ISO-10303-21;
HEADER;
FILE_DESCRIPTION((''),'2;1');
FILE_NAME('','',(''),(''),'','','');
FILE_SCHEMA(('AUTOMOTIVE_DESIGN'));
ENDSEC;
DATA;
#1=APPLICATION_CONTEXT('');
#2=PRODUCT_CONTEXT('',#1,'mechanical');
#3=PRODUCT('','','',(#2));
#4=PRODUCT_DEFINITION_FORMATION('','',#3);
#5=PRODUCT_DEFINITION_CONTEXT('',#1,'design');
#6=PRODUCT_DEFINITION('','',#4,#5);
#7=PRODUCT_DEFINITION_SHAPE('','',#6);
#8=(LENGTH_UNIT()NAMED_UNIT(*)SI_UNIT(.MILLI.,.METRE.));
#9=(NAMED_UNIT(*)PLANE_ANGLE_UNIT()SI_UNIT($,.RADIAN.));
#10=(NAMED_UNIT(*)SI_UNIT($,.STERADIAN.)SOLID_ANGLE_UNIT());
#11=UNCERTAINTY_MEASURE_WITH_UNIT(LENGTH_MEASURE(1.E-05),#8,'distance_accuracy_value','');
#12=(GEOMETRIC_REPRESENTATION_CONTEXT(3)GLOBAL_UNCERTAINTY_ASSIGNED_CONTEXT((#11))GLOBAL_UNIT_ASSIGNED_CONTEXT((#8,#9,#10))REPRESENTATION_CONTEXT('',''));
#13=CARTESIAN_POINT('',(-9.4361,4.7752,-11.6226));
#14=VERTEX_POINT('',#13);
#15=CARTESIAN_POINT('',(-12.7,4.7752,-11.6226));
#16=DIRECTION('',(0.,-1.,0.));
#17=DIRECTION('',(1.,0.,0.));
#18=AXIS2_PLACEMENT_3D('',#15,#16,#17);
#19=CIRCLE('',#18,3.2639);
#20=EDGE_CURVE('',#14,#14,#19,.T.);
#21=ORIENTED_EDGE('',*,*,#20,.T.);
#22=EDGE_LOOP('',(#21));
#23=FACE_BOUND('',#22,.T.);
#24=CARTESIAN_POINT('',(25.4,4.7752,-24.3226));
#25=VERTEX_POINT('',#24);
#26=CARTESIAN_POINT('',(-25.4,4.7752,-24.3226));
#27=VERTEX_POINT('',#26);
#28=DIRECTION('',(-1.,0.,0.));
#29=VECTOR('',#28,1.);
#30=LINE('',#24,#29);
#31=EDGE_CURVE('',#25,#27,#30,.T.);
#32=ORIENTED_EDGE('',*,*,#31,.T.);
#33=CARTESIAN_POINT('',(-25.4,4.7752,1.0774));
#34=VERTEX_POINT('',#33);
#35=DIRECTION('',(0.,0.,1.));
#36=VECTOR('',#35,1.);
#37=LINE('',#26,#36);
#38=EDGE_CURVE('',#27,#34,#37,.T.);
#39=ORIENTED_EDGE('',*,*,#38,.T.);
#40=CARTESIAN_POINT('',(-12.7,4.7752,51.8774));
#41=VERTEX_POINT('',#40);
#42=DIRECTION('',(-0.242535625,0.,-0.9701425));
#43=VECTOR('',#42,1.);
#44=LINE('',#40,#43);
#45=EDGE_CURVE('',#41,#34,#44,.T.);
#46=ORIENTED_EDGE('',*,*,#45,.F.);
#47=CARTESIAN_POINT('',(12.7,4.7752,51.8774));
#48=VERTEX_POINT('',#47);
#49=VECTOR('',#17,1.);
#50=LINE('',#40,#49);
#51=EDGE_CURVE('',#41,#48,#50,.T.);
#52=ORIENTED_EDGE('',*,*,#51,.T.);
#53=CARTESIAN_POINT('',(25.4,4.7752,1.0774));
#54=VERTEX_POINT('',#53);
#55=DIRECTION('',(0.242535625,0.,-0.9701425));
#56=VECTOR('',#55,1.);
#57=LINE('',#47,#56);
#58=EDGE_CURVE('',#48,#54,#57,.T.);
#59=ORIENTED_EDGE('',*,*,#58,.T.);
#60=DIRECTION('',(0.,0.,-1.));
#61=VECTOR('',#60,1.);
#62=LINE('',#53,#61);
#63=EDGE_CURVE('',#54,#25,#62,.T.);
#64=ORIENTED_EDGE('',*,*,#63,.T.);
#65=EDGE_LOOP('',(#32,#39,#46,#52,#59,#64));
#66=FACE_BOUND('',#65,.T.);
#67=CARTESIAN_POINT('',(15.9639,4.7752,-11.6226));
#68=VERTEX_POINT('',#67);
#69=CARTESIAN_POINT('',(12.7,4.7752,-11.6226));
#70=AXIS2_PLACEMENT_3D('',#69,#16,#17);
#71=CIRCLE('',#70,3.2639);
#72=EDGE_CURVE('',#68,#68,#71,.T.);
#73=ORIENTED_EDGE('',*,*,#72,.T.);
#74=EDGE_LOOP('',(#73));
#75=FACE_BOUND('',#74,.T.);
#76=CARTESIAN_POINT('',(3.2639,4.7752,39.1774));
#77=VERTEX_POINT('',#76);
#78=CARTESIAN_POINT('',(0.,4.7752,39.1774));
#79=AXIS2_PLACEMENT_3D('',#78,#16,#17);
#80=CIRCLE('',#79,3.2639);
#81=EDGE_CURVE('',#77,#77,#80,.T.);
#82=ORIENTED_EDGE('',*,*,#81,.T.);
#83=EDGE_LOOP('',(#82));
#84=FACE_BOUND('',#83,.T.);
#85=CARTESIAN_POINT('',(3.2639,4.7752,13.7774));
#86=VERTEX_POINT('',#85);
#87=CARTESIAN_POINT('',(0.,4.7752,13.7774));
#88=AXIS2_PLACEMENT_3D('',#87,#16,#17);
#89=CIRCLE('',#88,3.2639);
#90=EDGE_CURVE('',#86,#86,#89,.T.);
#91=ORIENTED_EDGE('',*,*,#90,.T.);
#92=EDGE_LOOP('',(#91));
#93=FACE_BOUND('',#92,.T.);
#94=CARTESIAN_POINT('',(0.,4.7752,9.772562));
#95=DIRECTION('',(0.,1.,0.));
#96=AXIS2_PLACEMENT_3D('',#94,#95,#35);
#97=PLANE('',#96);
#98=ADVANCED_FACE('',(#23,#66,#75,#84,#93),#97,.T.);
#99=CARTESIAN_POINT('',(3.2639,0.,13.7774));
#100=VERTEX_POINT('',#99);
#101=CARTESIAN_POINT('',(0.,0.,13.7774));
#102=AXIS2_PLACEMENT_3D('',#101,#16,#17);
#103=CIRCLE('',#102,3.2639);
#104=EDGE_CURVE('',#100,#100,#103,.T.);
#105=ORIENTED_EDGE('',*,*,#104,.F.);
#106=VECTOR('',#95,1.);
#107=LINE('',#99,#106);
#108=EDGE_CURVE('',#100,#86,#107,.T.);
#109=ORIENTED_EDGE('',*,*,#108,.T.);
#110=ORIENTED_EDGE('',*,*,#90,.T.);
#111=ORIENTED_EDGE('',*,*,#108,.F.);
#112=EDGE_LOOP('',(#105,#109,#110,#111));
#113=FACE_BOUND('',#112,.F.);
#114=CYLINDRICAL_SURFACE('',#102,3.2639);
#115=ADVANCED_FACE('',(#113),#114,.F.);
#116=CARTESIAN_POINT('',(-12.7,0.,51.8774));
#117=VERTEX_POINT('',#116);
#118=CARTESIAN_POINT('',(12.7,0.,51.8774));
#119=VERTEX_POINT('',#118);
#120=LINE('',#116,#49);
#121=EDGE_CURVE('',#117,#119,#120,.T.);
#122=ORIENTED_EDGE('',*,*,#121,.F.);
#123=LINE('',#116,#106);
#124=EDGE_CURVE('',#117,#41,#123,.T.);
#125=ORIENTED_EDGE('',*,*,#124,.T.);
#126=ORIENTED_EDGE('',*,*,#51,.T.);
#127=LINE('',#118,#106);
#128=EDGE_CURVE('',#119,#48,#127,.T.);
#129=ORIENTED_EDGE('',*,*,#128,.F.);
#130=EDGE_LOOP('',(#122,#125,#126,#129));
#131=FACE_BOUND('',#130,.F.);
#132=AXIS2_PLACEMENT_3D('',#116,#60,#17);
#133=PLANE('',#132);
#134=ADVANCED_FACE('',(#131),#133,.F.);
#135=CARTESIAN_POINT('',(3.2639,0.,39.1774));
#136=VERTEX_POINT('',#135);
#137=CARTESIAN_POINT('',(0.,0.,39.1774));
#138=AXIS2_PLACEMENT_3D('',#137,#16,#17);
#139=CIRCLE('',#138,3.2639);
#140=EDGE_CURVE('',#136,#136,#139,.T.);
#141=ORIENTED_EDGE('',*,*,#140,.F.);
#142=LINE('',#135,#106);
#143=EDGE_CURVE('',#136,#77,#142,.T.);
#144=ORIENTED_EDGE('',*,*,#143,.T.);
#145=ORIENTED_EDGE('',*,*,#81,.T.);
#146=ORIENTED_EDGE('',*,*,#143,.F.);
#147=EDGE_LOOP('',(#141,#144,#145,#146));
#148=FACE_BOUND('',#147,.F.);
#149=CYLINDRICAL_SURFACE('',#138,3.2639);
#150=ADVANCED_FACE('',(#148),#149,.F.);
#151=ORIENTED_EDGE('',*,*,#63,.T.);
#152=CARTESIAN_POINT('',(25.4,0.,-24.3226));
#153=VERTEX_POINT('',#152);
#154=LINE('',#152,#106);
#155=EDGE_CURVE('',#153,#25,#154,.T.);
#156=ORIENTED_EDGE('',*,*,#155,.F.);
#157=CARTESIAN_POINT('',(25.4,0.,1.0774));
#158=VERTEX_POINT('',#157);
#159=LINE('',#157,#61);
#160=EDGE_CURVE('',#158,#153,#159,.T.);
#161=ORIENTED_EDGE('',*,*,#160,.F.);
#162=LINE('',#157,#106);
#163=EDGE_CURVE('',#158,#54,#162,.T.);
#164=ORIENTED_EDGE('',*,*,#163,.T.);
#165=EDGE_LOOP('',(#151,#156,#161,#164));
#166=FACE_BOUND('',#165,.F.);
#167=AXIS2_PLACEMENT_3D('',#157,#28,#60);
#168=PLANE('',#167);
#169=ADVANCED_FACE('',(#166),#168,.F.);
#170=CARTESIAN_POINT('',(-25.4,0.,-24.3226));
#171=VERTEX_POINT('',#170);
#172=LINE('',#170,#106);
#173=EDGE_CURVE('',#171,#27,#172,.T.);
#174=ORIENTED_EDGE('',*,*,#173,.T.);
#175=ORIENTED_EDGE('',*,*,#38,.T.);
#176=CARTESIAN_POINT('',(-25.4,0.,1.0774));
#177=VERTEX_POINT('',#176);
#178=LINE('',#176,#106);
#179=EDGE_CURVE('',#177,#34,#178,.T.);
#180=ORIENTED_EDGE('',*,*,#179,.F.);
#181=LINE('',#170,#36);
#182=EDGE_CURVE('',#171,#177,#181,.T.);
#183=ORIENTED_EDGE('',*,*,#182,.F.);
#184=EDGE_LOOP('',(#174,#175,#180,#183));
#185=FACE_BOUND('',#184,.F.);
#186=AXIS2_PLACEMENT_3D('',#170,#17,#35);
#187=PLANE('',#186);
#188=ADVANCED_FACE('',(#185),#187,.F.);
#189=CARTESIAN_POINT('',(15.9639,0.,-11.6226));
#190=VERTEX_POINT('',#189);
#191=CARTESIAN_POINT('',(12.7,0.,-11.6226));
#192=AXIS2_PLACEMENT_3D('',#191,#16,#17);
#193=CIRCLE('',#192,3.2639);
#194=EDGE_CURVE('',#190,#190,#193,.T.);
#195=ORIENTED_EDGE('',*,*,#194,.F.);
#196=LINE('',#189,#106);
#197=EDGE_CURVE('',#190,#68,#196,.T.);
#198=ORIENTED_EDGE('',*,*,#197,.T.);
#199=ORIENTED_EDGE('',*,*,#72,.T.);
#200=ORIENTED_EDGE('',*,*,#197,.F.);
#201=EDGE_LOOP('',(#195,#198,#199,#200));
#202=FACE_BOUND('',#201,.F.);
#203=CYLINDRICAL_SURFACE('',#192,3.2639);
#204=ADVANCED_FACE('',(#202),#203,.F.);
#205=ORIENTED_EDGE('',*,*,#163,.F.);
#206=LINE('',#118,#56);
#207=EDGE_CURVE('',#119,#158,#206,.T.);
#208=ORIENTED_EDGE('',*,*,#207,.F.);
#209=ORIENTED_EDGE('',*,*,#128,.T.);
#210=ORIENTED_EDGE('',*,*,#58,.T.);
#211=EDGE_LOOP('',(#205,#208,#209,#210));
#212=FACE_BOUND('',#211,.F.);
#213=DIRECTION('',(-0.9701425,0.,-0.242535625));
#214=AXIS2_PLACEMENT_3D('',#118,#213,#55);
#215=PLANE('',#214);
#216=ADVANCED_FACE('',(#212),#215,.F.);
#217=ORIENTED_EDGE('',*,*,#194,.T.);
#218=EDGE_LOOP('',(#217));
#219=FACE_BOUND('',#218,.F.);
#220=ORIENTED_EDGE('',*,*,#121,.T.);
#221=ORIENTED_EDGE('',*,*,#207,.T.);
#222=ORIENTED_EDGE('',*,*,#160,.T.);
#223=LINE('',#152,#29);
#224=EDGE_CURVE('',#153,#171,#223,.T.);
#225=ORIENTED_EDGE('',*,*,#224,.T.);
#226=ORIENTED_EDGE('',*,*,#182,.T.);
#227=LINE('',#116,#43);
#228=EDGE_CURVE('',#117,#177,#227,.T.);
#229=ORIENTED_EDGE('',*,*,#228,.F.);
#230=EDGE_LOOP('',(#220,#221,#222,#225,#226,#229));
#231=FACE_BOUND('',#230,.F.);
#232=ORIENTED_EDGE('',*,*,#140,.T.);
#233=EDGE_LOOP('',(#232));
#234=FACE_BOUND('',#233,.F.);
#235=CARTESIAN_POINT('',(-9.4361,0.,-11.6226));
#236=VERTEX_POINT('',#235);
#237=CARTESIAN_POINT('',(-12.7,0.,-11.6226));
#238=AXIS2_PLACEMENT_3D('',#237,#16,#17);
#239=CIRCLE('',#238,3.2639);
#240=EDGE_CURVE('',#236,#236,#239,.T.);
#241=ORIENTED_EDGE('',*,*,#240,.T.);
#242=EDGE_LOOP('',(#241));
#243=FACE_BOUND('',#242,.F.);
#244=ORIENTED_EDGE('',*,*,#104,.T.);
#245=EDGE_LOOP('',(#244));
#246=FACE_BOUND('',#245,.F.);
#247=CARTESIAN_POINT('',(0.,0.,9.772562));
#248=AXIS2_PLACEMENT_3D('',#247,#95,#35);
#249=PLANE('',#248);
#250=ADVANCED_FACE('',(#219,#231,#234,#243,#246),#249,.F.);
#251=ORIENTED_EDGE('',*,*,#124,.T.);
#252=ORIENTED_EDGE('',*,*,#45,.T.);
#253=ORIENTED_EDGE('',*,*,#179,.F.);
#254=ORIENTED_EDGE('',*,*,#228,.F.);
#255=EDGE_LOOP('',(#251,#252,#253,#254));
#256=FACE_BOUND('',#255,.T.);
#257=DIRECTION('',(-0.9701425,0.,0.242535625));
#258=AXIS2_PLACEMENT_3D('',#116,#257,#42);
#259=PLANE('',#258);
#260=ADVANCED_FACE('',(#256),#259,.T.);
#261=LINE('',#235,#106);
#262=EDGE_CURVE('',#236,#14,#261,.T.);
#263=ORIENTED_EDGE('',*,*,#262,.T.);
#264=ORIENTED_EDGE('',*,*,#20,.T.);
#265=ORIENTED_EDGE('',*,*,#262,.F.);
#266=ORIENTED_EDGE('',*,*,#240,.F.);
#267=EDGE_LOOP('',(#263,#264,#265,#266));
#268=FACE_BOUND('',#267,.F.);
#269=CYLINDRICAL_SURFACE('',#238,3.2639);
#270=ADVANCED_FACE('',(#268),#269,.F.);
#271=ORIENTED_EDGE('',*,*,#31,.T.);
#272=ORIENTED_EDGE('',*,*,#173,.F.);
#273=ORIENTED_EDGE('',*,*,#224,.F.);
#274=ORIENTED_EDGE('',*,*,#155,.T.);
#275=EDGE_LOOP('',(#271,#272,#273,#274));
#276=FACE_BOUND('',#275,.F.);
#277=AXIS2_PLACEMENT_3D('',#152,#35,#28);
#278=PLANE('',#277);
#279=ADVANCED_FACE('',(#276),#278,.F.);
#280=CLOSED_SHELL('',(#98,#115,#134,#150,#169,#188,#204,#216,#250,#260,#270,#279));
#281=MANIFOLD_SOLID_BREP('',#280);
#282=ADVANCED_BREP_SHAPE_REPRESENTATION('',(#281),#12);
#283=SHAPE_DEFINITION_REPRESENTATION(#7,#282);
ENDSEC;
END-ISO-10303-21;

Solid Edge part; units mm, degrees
sketch "Sketch1" plane through (0, 0, 0) normal (0, -1, 0) x (1, 0, 0)
  line L0 (12.7, 51.8774) -> (25.4, 1.0774)
  line L1 (25.4, 1.0774) -> (25.4, -24.3226)
  line L2 (25.4, -24.3226) -> (-25.4, -24.3226)
  line L3 (-25.4, -24.3226) -> (-25.4, 1.0774)
  line L4 (-12.7, 51.8774) -> (-25.4, 1.0774)
  line L5 (-12.7, 51.8774) -> (12.7, 51.8774)
  circle A0 centre (0, 13.7774) radius 3.2639
  circle A1 centre (0, 39.1774) radius 3.2639
  circle A2 centre (-12.7, -11.6226) radius 3.2639
  circle A3 centre (12.7, -11.6226) radius 3.2639
  dimension "D1" = 76.2
  dimension "D2" = 50.8
  dimension "D3" = 25.4
  dimension "D4" = 25.4
  dimension "D5" = 6.5278
  dimension "D6" = 25.4
  dimension "D7" = 12.7
  dimension "D8" = 12.7
  dimension "D9" = 25.4
  dimension "D10" = 12.7
extrude "Protrusion1" add sketch "Sketch1" against normal blind 4.7752
